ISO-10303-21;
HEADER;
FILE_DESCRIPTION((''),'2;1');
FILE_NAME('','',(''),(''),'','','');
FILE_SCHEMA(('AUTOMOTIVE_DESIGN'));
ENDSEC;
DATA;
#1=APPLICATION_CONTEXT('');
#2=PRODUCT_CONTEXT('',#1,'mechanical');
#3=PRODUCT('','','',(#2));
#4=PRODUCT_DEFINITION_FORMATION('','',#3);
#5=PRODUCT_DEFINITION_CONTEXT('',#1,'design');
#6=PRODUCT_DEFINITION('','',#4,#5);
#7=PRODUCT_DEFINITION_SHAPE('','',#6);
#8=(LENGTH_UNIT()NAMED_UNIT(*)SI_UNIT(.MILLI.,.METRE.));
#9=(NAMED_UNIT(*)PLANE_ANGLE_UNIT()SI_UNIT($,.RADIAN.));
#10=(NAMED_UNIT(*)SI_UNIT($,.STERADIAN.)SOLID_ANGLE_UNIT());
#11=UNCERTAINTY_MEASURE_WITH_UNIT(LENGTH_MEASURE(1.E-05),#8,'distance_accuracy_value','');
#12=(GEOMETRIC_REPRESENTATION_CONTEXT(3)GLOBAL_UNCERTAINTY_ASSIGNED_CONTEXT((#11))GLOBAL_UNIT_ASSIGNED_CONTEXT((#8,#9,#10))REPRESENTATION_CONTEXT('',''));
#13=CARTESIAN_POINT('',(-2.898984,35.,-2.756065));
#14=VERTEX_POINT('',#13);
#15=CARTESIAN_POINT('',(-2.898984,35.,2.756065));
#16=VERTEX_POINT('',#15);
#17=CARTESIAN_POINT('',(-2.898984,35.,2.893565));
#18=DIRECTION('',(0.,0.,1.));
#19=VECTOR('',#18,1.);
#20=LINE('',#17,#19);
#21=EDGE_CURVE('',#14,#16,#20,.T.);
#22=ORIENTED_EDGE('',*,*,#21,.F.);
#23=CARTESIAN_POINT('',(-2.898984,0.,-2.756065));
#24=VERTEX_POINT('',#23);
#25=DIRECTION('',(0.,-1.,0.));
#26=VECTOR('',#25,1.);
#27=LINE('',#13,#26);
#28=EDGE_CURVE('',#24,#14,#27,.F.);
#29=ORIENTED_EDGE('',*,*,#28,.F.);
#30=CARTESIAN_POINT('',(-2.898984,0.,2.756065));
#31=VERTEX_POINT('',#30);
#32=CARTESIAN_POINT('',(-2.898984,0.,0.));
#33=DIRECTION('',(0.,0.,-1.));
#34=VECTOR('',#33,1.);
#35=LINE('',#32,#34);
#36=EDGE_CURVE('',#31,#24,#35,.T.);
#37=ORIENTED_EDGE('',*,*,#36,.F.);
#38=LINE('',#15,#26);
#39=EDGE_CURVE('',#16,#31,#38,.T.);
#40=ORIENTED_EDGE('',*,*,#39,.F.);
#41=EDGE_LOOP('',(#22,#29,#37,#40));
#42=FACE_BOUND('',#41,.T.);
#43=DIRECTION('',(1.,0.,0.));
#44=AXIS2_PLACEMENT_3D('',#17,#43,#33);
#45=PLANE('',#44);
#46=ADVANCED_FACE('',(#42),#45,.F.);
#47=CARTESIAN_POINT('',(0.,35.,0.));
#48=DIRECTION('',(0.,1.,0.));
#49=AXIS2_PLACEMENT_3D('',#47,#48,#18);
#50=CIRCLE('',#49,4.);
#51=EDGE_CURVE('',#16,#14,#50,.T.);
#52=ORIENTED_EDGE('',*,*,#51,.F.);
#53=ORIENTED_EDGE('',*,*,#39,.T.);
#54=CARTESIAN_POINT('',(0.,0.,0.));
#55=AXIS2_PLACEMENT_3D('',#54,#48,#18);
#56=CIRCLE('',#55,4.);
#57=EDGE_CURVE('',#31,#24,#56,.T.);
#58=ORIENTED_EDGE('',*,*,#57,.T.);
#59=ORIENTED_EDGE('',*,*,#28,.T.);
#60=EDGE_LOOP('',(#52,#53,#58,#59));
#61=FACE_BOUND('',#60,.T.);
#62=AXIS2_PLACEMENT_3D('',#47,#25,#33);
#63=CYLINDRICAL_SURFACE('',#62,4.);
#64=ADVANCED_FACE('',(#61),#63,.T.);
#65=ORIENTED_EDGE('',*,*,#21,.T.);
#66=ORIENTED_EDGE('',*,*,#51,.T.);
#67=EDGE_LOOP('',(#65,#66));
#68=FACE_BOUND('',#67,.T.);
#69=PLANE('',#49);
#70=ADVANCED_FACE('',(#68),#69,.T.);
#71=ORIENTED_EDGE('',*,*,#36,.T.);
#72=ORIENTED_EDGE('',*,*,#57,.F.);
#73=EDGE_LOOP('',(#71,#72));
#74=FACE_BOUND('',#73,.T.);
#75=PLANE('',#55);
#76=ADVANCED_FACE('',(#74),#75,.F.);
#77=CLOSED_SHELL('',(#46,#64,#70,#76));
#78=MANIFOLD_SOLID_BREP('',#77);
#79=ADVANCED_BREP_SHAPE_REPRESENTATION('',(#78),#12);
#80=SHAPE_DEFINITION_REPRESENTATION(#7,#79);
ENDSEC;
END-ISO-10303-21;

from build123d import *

# Parameters (mm, degrees)
SKETCH1_R           = 4
BOSS_EXTRUDE1_DEPTH = 35
SKETCH2_W           = 1.759330948
SKETCH2_H           = 6.654549559
CUT_EXTRUDE1_DEPTH  = 36.454195802


with BuildPart() as part:
    # Sketch1 → Boss-Extrude1 (new body)
    with BuildSketch(Plane(origin=(0, 0, 0), x_dir=(1, 0, 0), z_dir=(0, 1, 0))):
        with Locations(Location((0, 0, 0), (0, 0, 270))):
            Circle(SKETCH1_R)
    extrude(amount=BOSS_EXTRUDE1_DEPTH)

    # Sketch2 → Cut-Extrude1 (cut, through all)
    with BuildSketch(Plane.XZ):
        with Locations((-3.778649265, -0.433709649)):
            Rectangle(SKETCH2_W, SKETCH2_H)
    extrude(amount=-CUT_EXTRUDE1_DEPTH, mode=Mode.SUBTRACT)


solid = part.part
